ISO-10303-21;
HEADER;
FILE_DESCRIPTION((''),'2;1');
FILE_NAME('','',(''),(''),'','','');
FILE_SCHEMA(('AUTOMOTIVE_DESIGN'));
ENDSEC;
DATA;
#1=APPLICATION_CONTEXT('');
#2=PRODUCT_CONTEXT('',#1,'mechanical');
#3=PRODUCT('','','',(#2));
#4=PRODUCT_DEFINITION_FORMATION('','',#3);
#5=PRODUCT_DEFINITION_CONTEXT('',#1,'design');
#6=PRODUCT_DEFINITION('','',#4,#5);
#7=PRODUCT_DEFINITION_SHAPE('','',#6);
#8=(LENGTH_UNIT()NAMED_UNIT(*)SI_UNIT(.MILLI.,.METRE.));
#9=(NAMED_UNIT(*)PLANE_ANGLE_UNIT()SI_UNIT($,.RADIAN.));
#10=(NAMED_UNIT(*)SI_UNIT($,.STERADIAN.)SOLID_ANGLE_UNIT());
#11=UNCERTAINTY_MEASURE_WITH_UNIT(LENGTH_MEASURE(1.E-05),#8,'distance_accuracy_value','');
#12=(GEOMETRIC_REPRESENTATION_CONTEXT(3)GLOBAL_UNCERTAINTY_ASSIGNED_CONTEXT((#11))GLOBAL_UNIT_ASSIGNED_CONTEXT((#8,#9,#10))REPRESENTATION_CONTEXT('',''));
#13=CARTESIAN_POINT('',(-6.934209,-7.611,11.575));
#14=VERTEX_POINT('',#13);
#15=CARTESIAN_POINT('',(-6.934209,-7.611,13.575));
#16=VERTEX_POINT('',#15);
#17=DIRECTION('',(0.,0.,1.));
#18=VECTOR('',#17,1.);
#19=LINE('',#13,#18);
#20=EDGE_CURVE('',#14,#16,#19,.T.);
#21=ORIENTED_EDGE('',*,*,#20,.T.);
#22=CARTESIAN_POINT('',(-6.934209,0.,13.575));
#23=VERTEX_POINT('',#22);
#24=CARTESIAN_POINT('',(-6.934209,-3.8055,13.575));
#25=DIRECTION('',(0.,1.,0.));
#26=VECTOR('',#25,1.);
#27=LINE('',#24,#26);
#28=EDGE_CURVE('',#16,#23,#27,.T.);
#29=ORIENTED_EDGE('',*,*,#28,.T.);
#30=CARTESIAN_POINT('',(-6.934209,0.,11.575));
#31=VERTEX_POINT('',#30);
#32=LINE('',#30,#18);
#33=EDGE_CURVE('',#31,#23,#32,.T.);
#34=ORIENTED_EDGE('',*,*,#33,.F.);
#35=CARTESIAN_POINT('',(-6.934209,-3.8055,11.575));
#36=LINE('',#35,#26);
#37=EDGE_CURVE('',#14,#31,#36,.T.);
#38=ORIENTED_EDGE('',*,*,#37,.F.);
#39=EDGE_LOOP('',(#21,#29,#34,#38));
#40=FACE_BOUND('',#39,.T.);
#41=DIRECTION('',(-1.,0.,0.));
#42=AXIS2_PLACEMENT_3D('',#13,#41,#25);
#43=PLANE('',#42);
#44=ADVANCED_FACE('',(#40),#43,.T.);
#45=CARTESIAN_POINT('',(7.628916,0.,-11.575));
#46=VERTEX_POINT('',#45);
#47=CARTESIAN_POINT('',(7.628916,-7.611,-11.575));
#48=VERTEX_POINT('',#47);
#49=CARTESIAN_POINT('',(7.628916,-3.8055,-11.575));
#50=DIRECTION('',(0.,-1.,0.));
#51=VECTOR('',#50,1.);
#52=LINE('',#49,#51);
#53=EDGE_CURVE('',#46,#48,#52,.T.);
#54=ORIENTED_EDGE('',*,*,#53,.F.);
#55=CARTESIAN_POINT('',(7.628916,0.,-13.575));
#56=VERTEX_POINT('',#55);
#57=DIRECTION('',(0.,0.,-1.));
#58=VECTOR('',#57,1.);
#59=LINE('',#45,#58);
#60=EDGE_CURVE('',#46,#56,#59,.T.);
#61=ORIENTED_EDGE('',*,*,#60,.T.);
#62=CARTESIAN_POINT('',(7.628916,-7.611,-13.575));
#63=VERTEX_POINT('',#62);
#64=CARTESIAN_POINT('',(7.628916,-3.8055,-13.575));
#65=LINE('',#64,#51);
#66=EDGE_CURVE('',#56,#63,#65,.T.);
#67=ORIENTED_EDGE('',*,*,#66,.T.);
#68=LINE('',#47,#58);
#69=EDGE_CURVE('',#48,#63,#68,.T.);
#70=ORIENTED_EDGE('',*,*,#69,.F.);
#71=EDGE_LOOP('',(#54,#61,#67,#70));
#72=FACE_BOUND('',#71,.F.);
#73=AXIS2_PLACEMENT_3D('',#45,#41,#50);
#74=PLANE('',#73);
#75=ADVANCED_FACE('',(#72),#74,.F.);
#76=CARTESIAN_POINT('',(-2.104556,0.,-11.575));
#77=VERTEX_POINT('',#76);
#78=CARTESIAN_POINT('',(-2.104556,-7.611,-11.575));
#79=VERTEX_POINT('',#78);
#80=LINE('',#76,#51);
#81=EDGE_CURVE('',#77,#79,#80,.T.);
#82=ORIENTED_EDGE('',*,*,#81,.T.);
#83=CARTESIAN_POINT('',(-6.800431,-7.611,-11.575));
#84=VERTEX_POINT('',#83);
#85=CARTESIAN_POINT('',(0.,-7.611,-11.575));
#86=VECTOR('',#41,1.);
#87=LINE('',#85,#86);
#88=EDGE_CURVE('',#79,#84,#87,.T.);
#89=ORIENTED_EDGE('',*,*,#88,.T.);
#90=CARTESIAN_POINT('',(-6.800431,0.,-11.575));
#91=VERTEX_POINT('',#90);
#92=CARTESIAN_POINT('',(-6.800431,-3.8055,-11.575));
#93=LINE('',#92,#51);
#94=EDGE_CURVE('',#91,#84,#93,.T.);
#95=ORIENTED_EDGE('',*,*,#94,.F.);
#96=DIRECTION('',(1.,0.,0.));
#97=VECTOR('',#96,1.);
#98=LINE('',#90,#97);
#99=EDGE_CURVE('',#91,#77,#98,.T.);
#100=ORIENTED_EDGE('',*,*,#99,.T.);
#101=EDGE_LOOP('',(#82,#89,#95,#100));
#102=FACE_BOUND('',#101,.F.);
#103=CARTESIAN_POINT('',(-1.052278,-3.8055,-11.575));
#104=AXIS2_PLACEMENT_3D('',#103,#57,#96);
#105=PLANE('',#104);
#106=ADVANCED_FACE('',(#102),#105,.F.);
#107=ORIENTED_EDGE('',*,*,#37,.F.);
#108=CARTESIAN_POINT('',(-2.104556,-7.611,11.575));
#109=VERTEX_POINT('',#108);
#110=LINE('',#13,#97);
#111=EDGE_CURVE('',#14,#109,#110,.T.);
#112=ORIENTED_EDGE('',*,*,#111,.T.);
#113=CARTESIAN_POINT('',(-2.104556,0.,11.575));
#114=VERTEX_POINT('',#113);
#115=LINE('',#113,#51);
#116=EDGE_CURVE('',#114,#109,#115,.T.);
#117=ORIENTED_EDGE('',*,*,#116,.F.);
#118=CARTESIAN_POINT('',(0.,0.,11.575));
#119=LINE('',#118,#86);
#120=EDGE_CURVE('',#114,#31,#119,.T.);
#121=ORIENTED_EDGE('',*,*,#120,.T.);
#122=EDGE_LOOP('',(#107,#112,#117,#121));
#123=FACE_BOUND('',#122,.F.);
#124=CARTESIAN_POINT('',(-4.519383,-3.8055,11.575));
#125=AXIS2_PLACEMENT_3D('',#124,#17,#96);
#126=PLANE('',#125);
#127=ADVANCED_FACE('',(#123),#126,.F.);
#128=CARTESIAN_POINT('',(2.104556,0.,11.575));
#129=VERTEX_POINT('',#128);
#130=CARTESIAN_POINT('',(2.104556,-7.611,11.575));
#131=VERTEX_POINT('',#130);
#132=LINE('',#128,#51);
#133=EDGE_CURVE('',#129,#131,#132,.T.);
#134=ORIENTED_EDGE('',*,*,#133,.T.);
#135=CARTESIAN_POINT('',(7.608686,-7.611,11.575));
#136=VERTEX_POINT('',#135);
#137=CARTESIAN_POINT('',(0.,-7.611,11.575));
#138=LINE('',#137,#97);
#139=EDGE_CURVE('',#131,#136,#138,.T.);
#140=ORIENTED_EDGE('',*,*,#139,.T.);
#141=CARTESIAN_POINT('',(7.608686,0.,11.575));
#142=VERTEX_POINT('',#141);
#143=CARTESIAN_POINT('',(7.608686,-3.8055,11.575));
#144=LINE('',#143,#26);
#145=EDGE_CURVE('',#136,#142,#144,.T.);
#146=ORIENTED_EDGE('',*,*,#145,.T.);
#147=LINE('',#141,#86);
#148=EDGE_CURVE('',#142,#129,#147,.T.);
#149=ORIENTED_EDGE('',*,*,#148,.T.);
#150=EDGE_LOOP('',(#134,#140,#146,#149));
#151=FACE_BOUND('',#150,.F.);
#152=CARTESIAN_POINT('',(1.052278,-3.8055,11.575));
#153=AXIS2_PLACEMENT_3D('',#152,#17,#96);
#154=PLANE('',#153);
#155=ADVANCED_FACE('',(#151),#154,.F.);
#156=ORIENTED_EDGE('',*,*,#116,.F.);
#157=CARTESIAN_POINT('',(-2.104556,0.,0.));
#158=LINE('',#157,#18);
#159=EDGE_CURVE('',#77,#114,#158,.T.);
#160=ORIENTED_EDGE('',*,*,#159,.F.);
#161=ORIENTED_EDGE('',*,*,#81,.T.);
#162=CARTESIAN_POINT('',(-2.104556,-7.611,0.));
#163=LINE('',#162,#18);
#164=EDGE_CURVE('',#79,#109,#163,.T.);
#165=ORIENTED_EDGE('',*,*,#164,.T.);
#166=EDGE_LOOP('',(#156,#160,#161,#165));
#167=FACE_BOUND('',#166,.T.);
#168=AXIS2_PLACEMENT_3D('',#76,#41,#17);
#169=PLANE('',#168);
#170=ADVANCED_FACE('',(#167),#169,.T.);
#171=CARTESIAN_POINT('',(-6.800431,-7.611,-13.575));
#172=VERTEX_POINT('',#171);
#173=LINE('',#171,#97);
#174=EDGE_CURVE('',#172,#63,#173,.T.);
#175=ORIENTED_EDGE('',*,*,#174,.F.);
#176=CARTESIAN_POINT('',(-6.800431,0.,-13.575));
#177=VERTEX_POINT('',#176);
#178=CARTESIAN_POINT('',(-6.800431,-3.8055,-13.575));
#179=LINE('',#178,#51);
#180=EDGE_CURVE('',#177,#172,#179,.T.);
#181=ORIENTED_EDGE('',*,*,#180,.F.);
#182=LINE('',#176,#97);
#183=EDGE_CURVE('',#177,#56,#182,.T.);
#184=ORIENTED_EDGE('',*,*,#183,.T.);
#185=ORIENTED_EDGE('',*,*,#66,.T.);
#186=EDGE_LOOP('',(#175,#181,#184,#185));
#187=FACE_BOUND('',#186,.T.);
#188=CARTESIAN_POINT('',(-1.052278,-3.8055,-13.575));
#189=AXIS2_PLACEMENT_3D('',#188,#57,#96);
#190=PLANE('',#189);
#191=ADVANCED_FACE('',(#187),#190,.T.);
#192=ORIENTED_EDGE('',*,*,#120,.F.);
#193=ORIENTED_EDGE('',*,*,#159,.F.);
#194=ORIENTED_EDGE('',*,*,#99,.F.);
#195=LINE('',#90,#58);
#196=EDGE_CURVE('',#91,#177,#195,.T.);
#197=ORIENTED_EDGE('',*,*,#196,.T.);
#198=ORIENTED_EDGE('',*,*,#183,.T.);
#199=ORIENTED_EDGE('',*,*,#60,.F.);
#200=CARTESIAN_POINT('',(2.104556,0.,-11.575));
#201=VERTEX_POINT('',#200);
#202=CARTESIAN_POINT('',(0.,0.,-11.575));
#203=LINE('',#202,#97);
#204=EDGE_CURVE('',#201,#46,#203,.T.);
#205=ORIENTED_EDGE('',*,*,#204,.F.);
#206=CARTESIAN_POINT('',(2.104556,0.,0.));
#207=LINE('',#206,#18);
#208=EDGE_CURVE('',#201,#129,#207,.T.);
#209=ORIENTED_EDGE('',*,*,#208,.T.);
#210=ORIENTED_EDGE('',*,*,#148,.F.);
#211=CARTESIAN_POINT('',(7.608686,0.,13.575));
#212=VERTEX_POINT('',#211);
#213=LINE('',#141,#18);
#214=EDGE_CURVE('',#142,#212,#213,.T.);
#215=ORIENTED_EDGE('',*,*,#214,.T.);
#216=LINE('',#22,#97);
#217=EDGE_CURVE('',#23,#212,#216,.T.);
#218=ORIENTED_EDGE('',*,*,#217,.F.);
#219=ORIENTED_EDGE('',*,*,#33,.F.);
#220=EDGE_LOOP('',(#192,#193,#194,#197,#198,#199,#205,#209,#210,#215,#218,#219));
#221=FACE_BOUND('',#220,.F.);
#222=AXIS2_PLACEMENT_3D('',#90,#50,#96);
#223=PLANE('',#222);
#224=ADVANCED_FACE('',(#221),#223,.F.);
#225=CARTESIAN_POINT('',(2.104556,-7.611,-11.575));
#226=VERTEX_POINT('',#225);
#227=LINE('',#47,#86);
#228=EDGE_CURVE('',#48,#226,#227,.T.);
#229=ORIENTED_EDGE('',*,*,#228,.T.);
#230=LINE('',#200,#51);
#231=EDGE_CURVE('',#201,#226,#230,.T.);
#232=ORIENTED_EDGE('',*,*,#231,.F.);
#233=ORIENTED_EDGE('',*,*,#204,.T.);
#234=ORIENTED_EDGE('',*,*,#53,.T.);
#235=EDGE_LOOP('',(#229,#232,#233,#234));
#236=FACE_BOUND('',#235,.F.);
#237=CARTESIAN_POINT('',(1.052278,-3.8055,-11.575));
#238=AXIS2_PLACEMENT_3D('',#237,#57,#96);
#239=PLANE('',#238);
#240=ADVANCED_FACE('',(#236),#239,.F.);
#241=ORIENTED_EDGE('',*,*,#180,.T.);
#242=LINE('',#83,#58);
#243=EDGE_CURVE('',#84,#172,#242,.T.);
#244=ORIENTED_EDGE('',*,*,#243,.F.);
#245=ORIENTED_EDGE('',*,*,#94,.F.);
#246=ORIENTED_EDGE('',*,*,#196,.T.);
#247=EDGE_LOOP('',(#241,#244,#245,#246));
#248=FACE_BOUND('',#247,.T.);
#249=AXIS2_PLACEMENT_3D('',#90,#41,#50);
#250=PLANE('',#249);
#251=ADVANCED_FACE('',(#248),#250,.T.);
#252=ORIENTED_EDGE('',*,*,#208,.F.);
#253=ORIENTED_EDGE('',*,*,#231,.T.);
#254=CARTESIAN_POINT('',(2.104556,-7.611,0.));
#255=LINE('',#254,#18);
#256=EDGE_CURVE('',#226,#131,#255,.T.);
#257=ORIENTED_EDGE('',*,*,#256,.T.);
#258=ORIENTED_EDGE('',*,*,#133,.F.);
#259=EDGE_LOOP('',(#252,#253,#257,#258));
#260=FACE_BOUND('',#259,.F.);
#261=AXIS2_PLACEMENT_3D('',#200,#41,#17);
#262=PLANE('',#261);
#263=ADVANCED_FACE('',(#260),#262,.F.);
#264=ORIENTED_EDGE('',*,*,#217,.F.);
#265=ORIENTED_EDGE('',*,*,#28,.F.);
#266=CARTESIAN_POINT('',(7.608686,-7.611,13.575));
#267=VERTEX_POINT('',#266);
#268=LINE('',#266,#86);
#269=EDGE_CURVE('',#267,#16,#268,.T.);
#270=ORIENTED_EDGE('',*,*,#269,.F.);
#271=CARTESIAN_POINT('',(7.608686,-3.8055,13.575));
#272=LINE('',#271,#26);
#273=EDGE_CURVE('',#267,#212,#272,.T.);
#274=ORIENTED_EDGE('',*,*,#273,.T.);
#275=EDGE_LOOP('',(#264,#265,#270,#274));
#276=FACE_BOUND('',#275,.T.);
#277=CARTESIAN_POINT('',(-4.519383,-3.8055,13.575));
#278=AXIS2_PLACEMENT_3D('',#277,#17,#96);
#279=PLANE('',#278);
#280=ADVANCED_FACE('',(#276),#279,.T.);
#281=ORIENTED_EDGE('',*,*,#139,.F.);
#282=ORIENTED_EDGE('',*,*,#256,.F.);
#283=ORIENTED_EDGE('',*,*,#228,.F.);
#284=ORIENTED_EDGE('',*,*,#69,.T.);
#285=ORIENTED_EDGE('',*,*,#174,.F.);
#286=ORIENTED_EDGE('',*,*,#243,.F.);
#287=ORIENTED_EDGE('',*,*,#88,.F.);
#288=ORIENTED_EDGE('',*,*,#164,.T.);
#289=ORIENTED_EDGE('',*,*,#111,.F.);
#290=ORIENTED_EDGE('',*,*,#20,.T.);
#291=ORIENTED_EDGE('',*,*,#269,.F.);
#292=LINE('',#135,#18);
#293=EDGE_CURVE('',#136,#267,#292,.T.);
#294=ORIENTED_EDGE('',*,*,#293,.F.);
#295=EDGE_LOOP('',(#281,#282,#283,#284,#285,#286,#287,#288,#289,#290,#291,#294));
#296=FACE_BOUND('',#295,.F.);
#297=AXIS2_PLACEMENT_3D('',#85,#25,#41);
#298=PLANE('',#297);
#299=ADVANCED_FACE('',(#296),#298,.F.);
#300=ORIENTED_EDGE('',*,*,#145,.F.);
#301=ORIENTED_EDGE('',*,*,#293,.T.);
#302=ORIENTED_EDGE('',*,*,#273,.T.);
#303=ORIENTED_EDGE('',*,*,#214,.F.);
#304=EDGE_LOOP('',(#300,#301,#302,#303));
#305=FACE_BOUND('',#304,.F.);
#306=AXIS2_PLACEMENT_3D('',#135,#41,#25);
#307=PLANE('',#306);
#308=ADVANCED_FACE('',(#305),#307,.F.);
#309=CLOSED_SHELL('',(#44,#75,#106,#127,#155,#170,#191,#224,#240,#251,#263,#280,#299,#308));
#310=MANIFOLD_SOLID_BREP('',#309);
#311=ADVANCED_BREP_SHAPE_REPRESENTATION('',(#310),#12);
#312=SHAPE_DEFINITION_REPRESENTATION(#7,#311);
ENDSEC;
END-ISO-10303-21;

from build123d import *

# Parameters (mm, degrees)
F0_W     = 4.2091126258
F0_H     = 23.15
F1_DEPTH = 7.611
F2_W     = 2.1045563129
F2_H     = 7.611
F2_W_2   = 5.5041293296
F3_DEPTH = 2
F4_W     = 4.8296524825
F4_H     = 7.611
F4_W_2   = 2.1045563129
F5_DEPTH = 2
F6_W     = 2.1045563129
F6_H     = 7.611
F6_W_2   = 5.5243599842
F7_DEPTH = 2
F8_W     = 2.1045563129
F8_H     = 7.611
F8_W_2   = 4.695874514
F9_DEPTH = 2


with BuildPart() as f1:
    # F0 (on Front) → F1 (new body)
    with BuildSketch(Plane.XZ):
        Rectangle(F0_W, F0_H)
    extrude(amount=F1_DEPTH)

    # F2 (on face) → F3 (join)
    with BuildSketch(Plane.XY.offset(11.575)):
        with Locations((1.0522781564, -3.8055)):
            Rectangle(F2_W, F2_H)
        with Locations((4.8566209777, -3.8055)):
            Rectangle(F2_W_2, F2_H)
    extrude(amount=F3_DEPTH)

    # F4 (on face) → F5 (join)
    with BuildSketch(Plane.XY.offset(11.575)):
        with Locations((-4.5193825542, -3.8055)):
            Rectangle(F4_W, F4_H)
        with Locations((-1.0522781564, -3.8055)):
            Rectangle(F4_W_2, F4_H)
    extrude(amount=F5_DEPTH)

    # F6 (on face) → F7 (join)
    with BuildSketch(Plane(origin=(0, 0, -11.575), x_dir=(1, 0, 0), z_dir=(0, 0, -1))):
        with Locations((1.0522781564, 3.8055)):
            Rectangle(F6_W, F6_H)
        with Locations((4.866736305, 3.8055)):
            Rectangle(F6_W_2, F6_H)
    extrude(amount=F7_DEPTH)

    # F8 (on face) → F9 (join)
    with BuildSketch(Plane(origin=(0, 0, -11.575), x_dir=(1, 0, 0), z_dir=(0, 0, -1))):
        with Locations((-1.0522781564, 3.8055)):
            Rectangle(F8_W, F8_H)
        with Locations((-4.4524935699, 3.8055)):
            Rectangle(F8_W_2, F8_H)
    extrude(amount=F9_DEPTH)


solid = f1.part
